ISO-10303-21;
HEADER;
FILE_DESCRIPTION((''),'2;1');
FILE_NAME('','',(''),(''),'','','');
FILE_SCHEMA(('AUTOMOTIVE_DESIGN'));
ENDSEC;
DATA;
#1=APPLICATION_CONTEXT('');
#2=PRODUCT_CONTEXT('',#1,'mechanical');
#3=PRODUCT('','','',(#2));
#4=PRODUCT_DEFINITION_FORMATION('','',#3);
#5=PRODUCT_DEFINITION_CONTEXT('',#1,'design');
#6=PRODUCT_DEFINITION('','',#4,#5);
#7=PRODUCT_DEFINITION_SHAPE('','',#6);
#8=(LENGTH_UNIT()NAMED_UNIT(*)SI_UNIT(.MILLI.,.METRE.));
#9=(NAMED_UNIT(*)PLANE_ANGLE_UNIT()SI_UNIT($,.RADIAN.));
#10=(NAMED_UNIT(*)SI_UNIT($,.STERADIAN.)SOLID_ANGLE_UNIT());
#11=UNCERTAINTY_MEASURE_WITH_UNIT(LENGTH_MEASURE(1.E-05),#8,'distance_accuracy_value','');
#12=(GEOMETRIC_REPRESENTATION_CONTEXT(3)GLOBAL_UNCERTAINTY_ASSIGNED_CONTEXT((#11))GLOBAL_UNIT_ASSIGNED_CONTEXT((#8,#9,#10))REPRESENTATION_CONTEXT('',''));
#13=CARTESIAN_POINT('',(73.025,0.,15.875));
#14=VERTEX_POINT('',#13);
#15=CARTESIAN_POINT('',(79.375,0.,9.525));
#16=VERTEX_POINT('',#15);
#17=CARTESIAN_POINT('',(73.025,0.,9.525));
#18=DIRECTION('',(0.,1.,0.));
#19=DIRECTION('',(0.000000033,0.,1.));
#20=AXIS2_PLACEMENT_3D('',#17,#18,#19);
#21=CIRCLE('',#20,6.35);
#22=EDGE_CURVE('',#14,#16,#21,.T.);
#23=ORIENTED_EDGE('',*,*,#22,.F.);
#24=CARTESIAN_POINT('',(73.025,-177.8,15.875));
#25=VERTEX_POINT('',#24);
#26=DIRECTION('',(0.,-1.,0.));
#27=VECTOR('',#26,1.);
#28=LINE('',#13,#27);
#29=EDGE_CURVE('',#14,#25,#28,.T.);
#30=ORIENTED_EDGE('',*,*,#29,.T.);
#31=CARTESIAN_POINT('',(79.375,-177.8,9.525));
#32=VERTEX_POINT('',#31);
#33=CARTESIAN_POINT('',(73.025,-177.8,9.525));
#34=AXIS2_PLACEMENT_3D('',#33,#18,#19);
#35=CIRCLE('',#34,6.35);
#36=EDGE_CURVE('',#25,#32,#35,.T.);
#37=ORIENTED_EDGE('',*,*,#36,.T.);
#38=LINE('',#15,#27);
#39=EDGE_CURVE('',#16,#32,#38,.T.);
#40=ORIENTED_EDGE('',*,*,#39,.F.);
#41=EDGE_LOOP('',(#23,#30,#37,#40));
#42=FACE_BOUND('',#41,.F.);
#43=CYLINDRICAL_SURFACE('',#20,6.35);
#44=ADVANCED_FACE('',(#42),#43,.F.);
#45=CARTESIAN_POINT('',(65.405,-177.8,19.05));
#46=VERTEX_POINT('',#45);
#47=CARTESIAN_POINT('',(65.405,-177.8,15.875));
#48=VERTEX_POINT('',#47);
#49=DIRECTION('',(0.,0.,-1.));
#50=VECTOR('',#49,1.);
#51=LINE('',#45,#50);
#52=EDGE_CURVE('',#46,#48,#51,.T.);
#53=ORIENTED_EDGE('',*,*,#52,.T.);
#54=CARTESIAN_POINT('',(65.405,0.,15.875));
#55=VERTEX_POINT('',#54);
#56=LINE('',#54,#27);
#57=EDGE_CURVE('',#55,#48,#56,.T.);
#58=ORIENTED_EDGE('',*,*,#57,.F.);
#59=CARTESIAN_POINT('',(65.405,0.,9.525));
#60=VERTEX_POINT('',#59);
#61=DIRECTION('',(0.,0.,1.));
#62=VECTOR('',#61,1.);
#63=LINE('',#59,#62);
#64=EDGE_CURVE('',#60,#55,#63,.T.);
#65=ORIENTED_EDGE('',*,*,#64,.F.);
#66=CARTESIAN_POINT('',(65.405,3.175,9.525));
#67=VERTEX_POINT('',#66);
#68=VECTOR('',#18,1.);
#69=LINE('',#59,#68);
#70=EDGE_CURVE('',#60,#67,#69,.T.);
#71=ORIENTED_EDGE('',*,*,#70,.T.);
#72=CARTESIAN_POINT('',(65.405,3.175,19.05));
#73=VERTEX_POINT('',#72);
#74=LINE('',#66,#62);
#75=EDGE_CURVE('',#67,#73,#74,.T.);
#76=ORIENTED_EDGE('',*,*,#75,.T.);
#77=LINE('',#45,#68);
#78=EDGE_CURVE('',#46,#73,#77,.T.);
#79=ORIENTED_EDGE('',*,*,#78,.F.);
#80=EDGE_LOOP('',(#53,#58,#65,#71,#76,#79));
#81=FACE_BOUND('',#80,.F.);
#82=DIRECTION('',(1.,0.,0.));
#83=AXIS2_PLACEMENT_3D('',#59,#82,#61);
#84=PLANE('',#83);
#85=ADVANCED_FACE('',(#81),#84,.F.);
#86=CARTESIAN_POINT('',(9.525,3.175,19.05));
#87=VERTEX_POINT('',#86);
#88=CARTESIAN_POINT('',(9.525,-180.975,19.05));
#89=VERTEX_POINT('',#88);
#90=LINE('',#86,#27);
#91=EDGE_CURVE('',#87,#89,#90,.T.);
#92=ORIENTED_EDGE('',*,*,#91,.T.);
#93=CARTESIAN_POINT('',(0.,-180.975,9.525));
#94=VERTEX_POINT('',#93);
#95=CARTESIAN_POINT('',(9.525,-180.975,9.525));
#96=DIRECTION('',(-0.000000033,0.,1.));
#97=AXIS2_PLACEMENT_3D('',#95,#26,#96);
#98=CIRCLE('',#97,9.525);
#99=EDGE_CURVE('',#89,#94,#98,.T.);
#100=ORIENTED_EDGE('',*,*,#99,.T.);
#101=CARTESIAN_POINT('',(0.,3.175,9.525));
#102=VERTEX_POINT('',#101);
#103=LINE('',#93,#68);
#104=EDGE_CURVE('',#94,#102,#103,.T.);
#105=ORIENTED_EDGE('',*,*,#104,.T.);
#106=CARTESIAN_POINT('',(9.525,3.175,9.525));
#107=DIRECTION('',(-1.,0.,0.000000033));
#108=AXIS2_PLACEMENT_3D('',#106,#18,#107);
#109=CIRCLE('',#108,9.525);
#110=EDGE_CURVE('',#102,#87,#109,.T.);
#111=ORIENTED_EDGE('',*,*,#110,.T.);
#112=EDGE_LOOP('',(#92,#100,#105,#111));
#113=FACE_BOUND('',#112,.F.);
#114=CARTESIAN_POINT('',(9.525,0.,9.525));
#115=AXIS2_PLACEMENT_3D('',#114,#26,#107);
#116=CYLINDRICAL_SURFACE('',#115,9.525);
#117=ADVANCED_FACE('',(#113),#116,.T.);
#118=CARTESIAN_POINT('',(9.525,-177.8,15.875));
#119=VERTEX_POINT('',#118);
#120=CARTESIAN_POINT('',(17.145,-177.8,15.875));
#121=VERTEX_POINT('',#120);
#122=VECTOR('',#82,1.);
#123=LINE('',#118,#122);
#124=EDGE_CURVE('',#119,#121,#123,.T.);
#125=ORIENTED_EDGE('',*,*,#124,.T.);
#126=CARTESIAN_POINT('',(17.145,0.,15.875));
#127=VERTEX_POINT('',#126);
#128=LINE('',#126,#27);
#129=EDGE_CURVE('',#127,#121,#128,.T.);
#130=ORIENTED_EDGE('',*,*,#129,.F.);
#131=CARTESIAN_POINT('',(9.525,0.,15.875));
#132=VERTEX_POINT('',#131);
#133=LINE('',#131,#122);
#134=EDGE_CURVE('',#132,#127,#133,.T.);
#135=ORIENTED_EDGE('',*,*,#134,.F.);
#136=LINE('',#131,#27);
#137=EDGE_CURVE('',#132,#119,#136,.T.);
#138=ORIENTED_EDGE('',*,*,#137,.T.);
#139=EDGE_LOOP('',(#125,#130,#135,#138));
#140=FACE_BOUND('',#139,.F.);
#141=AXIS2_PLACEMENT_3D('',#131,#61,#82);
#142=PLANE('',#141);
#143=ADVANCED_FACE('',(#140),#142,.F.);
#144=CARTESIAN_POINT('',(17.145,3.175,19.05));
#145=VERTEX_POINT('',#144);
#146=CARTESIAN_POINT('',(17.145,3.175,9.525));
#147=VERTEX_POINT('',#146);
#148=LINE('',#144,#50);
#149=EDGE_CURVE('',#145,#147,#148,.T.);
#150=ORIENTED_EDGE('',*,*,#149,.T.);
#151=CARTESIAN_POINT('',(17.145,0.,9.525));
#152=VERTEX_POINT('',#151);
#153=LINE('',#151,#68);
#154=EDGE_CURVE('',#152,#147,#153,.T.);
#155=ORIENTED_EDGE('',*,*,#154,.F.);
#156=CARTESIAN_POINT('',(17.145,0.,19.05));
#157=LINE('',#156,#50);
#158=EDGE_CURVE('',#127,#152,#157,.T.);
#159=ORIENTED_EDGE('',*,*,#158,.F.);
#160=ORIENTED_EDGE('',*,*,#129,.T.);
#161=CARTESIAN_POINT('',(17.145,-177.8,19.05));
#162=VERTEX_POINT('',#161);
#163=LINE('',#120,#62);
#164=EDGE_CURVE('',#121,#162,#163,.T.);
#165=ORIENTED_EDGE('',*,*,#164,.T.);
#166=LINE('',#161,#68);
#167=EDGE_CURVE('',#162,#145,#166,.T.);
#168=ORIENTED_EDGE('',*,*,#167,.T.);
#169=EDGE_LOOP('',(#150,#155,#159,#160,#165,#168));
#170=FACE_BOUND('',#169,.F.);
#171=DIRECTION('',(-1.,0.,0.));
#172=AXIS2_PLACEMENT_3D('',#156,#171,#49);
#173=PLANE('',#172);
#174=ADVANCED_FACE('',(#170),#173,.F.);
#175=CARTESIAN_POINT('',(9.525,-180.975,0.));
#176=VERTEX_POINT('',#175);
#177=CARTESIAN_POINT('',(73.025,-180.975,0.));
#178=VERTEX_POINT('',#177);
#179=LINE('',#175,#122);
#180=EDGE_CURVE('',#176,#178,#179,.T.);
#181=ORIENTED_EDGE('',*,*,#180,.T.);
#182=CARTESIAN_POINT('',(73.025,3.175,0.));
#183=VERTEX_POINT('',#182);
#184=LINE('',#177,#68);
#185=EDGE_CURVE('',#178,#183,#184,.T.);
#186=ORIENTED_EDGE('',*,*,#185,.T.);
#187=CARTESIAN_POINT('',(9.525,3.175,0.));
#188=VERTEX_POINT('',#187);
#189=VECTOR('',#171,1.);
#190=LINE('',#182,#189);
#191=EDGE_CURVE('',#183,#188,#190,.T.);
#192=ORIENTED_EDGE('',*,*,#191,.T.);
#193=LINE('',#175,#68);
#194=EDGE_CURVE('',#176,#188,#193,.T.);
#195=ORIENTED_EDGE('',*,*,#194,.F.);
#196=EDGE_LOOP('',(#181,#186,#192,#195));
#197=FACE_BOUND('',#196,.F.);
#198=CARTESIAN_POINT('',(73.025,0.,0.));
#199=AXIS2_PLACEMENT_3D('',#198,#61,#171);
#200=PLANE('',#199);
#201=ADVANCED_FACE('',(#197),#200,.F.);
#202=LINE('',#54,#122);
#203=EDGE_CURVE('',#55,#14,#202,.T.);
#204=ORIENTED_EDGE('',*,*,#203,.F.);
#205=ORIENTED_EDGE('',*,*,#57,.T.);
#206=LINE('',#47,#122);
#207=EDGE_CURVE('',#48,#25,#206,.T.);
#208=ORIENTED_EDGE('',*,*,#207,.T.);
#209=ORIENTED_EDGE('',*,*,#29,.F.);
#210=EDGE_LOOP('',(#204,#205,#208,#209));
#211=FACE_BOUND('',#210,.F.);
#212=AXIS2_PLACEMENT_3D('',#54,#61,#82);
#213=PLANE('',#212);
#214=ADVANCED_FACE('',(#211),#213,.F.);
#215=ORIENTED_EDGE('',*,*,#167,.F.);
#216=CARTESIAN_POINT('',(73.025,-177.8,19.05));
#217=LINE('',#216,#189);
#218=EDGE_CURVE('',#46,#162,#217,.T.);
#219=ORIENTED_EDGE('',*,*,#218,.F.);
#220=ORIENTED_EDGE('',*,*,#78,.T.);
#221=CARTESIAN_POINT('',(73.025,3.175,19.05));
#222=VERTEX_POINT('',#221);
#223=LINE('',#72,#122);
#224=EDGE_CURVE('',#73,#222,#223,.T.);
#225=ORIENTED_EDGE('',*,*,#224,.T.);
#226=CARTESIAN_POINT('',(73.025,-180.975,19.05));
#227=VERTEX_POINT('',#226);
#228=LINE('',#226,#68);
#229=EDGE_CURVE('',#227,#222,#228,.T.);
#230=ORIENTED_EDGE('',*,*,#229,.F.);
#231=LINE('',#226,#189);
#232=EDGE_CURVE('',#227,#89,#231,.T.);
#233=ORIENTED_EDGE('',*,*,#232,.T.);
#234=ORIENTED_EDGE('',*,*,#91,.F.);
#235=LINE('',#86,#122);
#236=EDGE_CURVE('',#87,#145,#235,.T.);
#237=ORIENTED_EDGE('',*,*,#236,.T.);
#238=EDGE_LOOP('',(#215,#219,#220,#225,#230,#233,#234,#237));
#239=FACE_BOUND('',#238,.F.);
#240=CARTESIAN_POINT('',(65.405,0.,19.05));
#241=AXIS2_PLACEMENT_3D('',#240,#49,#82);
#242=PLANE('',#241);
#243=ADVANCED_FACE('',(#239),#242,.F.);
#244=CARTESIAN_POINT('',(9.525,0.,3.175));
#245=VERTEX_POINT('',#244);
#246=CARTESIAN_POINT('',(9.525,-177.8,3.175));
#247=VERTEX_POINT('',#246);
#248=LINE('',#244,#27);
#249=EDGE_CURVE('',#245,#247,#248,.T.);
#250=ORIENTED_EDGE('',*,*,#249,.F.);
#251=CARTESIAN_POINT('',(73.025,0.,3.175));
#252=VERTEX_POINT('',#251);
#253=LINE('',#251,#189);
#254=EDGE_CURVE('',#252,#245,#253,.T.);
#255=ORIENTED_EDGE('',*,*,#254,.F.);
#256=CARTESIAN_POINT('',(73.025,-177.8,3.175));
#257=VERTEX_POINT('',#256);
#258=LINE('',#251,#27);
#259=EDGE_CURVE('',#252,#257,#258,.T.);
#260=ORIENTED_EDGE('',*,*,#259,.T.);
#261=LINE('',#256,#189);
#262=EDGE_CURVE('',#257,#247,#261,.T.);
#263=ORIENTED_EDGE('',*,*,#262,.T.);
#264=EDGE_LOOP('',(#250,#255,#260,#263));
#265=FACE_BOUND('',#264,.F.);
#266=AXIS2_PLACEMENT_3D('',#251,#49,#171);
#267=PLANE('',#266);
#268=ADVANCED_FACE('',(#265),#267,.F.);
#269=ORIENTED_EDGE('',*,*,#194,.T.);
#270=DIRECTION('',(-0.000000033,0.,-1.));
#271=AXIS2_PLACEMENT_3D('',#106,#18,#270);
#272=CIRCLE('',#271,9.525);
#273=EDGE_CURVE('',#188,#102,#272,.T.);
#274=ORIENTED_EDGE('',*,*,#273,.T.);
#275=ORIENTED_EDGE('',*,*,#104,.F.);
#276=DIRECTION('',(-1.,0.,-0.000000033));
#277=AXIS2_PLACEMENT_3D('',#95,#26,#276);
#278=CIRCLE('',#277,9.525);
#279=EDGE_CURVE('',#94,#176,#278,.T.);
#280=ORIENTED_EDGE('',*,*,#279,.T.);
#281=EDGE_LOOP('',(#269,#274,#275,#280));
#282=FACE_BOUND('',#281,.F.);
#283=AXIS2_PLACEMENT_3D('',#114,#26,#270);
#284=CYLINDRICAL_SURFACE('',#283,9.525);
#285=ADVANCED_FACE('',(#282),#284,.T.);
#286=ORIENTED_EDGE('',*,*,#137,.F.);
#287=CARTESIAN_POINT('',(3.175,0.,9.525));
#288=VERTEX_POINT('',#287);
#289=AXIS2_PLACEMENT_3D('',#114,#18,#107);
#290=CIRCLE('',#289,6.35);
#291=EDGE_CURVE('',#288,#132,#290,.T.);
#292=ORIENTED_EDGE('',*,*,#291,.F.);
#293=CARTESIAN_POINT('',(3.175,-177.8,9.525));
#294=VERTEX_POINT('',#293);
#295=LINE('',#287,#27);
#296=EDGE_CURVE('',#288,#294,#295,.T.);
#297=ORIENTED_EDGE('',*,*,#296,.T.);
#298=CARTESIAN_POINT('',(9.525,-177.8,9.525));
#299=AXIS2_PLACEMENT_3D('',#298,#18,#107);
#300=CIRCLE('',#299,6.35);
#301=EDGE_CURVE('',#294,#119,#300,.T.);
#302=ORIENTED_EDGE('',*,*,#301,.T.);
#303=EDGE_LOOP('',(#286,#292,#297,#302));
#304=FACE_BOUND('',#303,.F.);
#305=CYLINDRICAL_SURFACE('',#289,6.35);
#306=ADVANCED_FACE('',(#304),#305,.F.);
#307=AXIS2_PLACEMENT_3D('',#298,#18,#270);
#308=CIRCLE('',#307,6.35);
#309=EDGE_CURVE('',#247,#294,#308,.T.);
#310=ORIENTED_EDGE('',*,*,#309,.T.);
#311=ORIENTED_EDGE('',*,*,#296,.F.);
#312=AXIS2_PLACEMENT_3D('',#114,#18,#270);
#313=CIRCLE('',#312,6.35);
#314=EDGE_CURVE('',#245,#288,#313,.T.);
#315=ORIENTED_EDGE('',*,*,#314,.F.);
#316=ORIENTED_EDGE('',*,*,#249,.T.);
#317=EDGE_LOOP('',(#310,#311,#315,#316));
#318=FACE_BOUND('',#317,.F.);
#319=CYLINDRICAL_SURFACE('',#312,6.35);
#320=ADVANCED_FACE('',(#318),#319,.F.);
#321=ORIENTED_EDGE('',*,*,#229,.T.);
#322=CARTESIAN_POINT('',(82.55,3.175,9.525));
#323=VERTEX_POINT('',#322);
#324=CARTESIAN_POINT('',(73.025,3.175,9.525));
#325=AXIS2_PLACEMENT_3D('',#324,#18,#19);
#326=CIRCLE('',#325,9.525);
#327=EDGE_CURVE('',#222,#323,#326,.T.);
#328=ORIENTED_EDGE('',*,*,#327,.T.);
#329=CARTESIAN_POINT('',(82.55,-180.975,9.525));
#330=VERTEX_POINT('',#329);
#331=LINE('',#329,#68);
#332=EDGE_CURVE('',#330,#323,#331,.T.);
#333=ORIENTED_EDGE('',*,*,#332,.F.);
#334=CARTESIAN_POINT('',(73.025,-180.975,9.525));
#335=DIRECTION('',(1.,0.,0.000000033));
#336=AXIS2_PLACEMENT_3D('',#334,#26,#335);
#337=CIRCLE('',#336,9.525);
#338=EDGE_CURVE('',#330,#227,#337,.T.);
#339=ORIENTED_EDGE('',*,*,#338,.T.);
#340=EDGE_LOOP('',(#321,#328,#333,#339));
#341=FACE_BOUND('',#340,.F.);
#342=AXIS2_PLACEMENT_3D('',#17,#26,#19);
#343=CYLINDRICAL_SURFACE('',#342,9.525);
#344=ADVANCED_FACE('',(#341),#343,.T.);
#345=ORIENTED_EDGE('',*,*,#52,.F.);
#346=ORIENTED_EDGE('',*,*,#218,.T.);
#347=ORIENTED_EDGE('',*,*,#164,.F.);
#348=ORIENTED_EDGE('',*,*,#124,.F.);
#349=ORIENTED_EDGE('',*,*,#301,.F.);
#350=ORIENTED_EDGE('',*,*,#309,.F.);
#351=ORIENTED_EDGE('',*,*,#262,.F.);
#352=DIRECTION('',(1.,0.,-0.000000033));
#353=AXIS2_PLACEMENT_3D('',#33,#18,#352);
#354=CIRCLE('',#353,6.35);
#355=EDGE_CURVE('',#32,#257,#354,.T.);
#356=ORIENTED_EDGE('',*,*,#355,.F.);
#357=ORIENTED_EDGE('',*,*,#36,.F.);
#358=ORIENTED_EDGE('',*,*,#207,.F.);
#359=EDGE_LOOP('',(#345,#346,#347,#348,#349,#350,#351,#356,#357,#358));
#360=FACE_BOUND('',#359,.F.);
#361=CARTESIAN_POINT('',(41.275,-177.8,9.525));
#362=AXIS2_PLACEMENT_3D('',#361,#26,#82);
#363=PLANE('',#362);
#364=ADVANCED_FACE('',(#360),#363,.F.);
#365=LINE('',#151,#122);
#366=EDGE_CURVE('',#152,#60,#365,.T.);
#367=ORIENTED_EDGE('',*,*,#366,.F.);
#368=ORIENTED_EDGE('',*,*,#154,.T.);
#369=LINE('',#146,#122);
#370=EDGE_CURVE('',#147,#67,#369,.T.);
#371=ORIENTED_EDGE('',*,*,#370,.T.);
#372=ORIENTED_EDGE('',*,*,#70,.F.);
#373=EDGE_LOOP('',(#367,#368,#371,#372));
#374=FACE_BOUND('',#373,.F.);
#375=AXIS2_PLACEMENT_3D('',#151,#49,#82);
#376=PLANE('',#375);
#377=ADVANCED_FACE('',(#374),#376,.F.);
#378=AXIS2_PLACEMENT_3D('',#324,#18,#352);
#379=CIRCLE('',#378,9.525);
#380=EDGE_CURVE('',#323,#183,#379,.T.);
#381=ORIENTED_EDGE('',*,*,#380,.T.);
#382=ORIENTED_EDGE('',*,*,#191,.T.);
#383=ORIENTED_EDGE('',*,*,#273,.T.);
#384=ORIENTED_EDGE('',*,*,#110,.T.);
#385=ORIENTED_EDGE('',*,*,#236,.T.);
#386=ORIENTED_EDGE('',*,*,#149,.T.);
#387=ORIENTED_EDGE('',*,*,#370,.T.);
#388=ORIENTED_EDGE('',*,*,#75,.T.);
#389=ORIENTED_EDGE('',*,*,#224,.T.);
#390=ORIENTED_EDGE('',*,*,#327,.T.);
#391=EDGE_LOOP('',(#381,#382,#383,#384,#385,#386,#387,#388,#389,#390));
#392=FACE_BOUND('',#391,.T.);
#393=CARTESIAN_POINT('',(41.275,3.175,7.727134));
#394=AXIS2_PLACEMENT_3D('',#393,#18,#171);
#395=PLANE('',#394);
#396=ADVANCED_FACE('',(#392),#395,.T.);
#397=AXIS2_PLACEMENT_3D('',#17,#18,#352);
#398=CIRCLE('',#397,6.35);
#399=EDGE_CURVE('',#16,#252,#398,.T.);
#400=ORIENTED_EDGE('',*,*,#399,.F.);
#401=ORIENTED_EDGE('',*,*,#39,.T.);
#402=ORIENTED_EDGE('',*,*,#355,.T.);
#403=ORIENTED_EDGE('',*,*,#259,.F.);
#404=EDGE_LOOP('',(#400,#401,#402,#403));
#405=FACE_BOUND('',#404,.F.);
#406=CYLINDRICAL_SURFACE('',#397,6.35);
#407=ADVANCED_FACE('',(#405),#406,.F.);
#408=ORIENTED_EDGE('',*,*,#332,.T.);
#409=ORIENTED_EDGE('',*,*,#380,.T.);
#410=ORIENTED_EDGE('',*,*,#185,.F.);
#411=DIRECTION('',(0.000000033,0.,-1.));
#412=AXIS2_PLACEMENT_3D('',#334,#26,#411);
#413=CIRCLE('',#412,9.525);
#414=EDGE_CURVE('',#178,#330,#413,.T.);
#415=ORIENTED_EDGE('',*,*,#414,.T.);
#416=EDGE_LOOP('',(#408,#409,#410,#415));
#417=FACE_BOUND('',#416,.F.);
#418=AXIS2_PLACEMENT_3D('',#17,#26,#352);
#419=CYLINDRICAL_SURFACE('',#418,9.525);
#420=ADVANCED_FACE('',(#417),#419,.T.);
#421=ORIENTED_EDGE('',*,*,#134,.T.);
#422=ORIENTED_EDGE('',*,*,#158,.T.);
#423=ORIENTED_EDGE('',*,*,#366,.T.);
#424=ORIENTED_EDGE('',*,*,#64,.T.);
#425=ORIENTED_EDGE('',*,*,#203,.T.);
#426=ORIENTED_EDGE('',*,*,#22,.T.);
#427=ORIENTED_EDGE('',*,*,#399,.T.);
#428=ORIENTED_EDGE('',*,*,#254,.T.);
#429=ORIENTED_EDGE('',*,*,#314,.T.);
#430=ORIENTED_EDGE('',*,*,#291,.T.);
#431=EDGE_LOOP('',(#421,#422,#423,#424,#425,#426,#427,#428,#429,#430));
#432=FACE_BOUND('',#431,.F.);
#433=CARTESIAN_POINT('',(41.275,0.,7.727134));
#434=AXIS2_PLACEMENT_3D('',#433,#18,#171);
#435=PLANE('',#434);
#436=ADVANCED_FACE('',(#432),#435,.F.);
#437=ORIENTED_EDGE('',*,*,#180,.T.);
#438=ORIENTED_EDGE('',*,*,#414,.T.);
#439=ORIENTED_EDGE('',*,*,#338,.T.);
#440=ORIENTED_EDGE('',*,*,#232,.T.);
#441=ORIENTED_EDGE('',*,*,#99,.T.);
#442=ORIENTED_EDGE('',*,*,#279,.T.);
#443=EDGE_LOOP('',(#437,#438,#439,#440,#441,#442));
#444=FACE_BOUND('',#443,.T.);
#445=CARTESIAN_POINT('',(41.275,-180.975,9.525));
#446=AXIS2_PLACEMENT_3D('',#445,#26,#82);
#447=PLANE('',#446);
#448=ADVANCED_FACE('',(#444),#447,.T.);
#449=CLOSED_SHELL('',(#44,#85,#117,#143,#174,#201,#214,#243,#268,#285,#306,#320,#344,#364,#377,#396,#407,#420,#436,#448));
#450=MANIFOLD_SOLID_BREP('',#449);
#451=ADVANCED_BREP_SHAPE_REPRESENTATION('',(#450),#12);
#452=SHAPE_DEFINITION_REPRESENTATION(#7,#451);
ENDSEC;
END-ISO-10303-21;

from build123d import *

# Parameters (mm, degrees)
F1_DEPTH = 177.8
F3_DEPTH = 3.175
F5_DEPTH = 3.175


with BuildPart() as f1:
    # F0 (on Front) → F1 (new body)
    with BuildSketch(Plane.XZ):
        with BuildLine():
            ThreePointArc((0, 9.525), (2.789808, 2.789808), (9.525, 0))
            Line((9.525, 0), (73.025, 0))
            ThreePointArc((73.025, 0), (79.760192, 2.789808), (82.55, 9.525))
            ThreePointArc((82.55, 9.525), (79.760192, 16.260192), (73.025, 19.05))
            Line((73.025, 19.05), (65.405, 19.05))
            Line((65.405, 19.05), (65.405, 15.875))
            Line((65.405, 15.875), (73.025, 15.875))
            ThreePointArc((73.025, 15.875), (77.515128, 14.015128), (79.375, 9.525))
            ThreePointArc((79.375, 9.525), (77.515128, 5.034872), (73.025, 3.175))
            Line((73.025, 3.175), (9.525, 3.175))
            ThreePointArc((9.525, 3.175), (5.034872, 5.034872), (3.175, 9.525))
            ThreePointArc((3.175, 9.525), (5.034872, 14.015128), (9.525, 15.875))
            Line((9.525, 15.875), (17.145, 15.875))
            Line((17.145, 15.875), (17.145, 19.05))
            Line((17.145, 19.05), (9.525, 19.05))
            ThreePointArc((9.525, 19.05), (2.789808, 16.260192), (0, 9.525))
        make_face()
    extrude(amount=F1_DEPTH)

    # F2 (on face) → F3 (join)
    with BuildSketch(Plane.XZ.offset(177.8)):
        with BuildLine():
            Line((73.025, 19.05), (9.525, 19.05))
            ThreePointArc((9.525, 19.05), (2.789808, 16.260192), (0, 9.525))
            ThreePointArc((0, 9.525), (2.789808, 2.789808), (9.525, 0))
            Line((9.525, 0), (73.025, 0))
            ThreePointArc((73.025, 0), (79.760192, 2.789808), (82.55, 9.525))
            ThreePointArc((82.55, 9.525), (79.760192, 16.260192), (73.025, 19.05))
        make_face()
    extrude(amount=F3_DEPTH)

    # F4 (on face) → F5 (join)
    with BuildSketch(Plane(origin=(0, 0, 0), x_dir=(-1, 0, 0), z_dir=(0, 1, 0))):
        with BuildLine():
            Line((-65.405, 9.525), (-65.405, 19.05))
            Line((-65.405, 19.05), (-73.025, 19.05))
            ThreePointArc((-73.025, 19.05), (-79.760192, 16.260192), (-82.55, 9.525))
            ThreePointArc((-82.55, 9.525), (-79.760192, 2.789808), (-73.025, 0))
            Line((-73.025, 0), (-9.525, 0))
            ThreePointArc((-9.525, 0), (-2.789808, 2.789808), (0, 9.525))
            ThreePointArc((0, 9.525), (-2.789808, 16.260192), (-9.525, 19.05))
            Line((-9.525, 19.05), (-17.145, 19.05))
            Line((-17.145, 19.05), (-17.145, 9.525))
            Line((-17.145, 9.525), (-65.405, 9.525))
        make_face()
    extrude(amount=F5_DEPTH)


solid = f1.part
